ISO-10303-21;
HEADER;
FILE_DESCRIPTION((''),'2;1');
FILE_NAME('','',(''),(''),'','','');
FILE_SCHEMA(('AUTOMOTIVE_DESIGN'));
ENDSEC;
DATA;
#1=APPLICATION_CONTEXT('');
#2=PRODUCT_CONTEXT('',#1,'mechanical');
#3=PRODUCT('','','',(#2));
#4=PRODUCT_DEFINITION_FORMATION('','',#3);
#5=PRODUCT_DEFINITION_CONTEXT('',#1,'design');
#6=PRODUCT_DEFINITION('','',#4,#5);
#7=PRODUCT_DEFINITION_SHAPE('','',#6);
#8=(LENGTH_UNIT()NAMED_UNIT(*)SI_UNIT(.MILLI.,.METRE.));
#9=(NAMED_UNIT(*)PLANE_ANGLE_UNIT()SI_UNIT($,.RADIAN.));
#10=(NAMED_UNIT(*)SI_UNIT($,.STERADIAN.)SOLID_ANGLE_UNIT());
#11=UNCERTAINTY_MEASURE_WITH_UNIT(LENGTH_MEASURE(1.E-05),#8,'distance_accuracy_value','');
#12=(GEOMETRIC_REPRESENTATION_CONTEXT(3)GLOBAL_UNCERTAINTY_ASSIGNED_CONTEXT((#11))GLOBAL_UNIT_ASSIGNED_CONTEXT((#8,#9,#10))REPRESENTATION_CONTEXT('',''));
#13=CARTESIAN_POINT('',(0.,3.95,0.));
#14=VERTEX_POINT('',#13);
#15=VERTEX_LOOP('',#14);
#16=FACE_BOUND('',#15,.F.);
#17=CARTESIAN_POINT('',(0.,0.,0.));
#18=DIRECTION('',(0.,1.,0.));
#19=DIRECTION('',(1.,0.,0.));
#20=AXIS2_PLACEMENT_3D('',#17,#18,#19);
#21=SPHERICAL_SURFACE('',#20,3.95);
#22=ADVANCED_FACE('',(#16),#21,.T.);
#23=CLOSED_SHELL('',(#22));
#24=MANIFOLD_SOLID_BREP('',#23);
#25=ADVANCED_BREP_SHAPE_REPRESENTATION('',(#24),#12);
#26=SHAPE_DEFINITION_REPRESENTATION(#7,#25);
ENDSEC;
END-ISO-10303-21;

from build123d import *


with BuildPart() as part:
    # Sketch1 → Revolve1 (revolve)
    with BuildSketch(Plane.XY):
        with BuildLine():
            Line((0, 3.95), (0, -3.95))
            ThreePointArc((0, -3.95), (3.95, 0), (0, 3.95))
        make_face()
    revolve(axis=Axis((0, 3.95, 0), (0, -1, 0)))


solid = part.part
